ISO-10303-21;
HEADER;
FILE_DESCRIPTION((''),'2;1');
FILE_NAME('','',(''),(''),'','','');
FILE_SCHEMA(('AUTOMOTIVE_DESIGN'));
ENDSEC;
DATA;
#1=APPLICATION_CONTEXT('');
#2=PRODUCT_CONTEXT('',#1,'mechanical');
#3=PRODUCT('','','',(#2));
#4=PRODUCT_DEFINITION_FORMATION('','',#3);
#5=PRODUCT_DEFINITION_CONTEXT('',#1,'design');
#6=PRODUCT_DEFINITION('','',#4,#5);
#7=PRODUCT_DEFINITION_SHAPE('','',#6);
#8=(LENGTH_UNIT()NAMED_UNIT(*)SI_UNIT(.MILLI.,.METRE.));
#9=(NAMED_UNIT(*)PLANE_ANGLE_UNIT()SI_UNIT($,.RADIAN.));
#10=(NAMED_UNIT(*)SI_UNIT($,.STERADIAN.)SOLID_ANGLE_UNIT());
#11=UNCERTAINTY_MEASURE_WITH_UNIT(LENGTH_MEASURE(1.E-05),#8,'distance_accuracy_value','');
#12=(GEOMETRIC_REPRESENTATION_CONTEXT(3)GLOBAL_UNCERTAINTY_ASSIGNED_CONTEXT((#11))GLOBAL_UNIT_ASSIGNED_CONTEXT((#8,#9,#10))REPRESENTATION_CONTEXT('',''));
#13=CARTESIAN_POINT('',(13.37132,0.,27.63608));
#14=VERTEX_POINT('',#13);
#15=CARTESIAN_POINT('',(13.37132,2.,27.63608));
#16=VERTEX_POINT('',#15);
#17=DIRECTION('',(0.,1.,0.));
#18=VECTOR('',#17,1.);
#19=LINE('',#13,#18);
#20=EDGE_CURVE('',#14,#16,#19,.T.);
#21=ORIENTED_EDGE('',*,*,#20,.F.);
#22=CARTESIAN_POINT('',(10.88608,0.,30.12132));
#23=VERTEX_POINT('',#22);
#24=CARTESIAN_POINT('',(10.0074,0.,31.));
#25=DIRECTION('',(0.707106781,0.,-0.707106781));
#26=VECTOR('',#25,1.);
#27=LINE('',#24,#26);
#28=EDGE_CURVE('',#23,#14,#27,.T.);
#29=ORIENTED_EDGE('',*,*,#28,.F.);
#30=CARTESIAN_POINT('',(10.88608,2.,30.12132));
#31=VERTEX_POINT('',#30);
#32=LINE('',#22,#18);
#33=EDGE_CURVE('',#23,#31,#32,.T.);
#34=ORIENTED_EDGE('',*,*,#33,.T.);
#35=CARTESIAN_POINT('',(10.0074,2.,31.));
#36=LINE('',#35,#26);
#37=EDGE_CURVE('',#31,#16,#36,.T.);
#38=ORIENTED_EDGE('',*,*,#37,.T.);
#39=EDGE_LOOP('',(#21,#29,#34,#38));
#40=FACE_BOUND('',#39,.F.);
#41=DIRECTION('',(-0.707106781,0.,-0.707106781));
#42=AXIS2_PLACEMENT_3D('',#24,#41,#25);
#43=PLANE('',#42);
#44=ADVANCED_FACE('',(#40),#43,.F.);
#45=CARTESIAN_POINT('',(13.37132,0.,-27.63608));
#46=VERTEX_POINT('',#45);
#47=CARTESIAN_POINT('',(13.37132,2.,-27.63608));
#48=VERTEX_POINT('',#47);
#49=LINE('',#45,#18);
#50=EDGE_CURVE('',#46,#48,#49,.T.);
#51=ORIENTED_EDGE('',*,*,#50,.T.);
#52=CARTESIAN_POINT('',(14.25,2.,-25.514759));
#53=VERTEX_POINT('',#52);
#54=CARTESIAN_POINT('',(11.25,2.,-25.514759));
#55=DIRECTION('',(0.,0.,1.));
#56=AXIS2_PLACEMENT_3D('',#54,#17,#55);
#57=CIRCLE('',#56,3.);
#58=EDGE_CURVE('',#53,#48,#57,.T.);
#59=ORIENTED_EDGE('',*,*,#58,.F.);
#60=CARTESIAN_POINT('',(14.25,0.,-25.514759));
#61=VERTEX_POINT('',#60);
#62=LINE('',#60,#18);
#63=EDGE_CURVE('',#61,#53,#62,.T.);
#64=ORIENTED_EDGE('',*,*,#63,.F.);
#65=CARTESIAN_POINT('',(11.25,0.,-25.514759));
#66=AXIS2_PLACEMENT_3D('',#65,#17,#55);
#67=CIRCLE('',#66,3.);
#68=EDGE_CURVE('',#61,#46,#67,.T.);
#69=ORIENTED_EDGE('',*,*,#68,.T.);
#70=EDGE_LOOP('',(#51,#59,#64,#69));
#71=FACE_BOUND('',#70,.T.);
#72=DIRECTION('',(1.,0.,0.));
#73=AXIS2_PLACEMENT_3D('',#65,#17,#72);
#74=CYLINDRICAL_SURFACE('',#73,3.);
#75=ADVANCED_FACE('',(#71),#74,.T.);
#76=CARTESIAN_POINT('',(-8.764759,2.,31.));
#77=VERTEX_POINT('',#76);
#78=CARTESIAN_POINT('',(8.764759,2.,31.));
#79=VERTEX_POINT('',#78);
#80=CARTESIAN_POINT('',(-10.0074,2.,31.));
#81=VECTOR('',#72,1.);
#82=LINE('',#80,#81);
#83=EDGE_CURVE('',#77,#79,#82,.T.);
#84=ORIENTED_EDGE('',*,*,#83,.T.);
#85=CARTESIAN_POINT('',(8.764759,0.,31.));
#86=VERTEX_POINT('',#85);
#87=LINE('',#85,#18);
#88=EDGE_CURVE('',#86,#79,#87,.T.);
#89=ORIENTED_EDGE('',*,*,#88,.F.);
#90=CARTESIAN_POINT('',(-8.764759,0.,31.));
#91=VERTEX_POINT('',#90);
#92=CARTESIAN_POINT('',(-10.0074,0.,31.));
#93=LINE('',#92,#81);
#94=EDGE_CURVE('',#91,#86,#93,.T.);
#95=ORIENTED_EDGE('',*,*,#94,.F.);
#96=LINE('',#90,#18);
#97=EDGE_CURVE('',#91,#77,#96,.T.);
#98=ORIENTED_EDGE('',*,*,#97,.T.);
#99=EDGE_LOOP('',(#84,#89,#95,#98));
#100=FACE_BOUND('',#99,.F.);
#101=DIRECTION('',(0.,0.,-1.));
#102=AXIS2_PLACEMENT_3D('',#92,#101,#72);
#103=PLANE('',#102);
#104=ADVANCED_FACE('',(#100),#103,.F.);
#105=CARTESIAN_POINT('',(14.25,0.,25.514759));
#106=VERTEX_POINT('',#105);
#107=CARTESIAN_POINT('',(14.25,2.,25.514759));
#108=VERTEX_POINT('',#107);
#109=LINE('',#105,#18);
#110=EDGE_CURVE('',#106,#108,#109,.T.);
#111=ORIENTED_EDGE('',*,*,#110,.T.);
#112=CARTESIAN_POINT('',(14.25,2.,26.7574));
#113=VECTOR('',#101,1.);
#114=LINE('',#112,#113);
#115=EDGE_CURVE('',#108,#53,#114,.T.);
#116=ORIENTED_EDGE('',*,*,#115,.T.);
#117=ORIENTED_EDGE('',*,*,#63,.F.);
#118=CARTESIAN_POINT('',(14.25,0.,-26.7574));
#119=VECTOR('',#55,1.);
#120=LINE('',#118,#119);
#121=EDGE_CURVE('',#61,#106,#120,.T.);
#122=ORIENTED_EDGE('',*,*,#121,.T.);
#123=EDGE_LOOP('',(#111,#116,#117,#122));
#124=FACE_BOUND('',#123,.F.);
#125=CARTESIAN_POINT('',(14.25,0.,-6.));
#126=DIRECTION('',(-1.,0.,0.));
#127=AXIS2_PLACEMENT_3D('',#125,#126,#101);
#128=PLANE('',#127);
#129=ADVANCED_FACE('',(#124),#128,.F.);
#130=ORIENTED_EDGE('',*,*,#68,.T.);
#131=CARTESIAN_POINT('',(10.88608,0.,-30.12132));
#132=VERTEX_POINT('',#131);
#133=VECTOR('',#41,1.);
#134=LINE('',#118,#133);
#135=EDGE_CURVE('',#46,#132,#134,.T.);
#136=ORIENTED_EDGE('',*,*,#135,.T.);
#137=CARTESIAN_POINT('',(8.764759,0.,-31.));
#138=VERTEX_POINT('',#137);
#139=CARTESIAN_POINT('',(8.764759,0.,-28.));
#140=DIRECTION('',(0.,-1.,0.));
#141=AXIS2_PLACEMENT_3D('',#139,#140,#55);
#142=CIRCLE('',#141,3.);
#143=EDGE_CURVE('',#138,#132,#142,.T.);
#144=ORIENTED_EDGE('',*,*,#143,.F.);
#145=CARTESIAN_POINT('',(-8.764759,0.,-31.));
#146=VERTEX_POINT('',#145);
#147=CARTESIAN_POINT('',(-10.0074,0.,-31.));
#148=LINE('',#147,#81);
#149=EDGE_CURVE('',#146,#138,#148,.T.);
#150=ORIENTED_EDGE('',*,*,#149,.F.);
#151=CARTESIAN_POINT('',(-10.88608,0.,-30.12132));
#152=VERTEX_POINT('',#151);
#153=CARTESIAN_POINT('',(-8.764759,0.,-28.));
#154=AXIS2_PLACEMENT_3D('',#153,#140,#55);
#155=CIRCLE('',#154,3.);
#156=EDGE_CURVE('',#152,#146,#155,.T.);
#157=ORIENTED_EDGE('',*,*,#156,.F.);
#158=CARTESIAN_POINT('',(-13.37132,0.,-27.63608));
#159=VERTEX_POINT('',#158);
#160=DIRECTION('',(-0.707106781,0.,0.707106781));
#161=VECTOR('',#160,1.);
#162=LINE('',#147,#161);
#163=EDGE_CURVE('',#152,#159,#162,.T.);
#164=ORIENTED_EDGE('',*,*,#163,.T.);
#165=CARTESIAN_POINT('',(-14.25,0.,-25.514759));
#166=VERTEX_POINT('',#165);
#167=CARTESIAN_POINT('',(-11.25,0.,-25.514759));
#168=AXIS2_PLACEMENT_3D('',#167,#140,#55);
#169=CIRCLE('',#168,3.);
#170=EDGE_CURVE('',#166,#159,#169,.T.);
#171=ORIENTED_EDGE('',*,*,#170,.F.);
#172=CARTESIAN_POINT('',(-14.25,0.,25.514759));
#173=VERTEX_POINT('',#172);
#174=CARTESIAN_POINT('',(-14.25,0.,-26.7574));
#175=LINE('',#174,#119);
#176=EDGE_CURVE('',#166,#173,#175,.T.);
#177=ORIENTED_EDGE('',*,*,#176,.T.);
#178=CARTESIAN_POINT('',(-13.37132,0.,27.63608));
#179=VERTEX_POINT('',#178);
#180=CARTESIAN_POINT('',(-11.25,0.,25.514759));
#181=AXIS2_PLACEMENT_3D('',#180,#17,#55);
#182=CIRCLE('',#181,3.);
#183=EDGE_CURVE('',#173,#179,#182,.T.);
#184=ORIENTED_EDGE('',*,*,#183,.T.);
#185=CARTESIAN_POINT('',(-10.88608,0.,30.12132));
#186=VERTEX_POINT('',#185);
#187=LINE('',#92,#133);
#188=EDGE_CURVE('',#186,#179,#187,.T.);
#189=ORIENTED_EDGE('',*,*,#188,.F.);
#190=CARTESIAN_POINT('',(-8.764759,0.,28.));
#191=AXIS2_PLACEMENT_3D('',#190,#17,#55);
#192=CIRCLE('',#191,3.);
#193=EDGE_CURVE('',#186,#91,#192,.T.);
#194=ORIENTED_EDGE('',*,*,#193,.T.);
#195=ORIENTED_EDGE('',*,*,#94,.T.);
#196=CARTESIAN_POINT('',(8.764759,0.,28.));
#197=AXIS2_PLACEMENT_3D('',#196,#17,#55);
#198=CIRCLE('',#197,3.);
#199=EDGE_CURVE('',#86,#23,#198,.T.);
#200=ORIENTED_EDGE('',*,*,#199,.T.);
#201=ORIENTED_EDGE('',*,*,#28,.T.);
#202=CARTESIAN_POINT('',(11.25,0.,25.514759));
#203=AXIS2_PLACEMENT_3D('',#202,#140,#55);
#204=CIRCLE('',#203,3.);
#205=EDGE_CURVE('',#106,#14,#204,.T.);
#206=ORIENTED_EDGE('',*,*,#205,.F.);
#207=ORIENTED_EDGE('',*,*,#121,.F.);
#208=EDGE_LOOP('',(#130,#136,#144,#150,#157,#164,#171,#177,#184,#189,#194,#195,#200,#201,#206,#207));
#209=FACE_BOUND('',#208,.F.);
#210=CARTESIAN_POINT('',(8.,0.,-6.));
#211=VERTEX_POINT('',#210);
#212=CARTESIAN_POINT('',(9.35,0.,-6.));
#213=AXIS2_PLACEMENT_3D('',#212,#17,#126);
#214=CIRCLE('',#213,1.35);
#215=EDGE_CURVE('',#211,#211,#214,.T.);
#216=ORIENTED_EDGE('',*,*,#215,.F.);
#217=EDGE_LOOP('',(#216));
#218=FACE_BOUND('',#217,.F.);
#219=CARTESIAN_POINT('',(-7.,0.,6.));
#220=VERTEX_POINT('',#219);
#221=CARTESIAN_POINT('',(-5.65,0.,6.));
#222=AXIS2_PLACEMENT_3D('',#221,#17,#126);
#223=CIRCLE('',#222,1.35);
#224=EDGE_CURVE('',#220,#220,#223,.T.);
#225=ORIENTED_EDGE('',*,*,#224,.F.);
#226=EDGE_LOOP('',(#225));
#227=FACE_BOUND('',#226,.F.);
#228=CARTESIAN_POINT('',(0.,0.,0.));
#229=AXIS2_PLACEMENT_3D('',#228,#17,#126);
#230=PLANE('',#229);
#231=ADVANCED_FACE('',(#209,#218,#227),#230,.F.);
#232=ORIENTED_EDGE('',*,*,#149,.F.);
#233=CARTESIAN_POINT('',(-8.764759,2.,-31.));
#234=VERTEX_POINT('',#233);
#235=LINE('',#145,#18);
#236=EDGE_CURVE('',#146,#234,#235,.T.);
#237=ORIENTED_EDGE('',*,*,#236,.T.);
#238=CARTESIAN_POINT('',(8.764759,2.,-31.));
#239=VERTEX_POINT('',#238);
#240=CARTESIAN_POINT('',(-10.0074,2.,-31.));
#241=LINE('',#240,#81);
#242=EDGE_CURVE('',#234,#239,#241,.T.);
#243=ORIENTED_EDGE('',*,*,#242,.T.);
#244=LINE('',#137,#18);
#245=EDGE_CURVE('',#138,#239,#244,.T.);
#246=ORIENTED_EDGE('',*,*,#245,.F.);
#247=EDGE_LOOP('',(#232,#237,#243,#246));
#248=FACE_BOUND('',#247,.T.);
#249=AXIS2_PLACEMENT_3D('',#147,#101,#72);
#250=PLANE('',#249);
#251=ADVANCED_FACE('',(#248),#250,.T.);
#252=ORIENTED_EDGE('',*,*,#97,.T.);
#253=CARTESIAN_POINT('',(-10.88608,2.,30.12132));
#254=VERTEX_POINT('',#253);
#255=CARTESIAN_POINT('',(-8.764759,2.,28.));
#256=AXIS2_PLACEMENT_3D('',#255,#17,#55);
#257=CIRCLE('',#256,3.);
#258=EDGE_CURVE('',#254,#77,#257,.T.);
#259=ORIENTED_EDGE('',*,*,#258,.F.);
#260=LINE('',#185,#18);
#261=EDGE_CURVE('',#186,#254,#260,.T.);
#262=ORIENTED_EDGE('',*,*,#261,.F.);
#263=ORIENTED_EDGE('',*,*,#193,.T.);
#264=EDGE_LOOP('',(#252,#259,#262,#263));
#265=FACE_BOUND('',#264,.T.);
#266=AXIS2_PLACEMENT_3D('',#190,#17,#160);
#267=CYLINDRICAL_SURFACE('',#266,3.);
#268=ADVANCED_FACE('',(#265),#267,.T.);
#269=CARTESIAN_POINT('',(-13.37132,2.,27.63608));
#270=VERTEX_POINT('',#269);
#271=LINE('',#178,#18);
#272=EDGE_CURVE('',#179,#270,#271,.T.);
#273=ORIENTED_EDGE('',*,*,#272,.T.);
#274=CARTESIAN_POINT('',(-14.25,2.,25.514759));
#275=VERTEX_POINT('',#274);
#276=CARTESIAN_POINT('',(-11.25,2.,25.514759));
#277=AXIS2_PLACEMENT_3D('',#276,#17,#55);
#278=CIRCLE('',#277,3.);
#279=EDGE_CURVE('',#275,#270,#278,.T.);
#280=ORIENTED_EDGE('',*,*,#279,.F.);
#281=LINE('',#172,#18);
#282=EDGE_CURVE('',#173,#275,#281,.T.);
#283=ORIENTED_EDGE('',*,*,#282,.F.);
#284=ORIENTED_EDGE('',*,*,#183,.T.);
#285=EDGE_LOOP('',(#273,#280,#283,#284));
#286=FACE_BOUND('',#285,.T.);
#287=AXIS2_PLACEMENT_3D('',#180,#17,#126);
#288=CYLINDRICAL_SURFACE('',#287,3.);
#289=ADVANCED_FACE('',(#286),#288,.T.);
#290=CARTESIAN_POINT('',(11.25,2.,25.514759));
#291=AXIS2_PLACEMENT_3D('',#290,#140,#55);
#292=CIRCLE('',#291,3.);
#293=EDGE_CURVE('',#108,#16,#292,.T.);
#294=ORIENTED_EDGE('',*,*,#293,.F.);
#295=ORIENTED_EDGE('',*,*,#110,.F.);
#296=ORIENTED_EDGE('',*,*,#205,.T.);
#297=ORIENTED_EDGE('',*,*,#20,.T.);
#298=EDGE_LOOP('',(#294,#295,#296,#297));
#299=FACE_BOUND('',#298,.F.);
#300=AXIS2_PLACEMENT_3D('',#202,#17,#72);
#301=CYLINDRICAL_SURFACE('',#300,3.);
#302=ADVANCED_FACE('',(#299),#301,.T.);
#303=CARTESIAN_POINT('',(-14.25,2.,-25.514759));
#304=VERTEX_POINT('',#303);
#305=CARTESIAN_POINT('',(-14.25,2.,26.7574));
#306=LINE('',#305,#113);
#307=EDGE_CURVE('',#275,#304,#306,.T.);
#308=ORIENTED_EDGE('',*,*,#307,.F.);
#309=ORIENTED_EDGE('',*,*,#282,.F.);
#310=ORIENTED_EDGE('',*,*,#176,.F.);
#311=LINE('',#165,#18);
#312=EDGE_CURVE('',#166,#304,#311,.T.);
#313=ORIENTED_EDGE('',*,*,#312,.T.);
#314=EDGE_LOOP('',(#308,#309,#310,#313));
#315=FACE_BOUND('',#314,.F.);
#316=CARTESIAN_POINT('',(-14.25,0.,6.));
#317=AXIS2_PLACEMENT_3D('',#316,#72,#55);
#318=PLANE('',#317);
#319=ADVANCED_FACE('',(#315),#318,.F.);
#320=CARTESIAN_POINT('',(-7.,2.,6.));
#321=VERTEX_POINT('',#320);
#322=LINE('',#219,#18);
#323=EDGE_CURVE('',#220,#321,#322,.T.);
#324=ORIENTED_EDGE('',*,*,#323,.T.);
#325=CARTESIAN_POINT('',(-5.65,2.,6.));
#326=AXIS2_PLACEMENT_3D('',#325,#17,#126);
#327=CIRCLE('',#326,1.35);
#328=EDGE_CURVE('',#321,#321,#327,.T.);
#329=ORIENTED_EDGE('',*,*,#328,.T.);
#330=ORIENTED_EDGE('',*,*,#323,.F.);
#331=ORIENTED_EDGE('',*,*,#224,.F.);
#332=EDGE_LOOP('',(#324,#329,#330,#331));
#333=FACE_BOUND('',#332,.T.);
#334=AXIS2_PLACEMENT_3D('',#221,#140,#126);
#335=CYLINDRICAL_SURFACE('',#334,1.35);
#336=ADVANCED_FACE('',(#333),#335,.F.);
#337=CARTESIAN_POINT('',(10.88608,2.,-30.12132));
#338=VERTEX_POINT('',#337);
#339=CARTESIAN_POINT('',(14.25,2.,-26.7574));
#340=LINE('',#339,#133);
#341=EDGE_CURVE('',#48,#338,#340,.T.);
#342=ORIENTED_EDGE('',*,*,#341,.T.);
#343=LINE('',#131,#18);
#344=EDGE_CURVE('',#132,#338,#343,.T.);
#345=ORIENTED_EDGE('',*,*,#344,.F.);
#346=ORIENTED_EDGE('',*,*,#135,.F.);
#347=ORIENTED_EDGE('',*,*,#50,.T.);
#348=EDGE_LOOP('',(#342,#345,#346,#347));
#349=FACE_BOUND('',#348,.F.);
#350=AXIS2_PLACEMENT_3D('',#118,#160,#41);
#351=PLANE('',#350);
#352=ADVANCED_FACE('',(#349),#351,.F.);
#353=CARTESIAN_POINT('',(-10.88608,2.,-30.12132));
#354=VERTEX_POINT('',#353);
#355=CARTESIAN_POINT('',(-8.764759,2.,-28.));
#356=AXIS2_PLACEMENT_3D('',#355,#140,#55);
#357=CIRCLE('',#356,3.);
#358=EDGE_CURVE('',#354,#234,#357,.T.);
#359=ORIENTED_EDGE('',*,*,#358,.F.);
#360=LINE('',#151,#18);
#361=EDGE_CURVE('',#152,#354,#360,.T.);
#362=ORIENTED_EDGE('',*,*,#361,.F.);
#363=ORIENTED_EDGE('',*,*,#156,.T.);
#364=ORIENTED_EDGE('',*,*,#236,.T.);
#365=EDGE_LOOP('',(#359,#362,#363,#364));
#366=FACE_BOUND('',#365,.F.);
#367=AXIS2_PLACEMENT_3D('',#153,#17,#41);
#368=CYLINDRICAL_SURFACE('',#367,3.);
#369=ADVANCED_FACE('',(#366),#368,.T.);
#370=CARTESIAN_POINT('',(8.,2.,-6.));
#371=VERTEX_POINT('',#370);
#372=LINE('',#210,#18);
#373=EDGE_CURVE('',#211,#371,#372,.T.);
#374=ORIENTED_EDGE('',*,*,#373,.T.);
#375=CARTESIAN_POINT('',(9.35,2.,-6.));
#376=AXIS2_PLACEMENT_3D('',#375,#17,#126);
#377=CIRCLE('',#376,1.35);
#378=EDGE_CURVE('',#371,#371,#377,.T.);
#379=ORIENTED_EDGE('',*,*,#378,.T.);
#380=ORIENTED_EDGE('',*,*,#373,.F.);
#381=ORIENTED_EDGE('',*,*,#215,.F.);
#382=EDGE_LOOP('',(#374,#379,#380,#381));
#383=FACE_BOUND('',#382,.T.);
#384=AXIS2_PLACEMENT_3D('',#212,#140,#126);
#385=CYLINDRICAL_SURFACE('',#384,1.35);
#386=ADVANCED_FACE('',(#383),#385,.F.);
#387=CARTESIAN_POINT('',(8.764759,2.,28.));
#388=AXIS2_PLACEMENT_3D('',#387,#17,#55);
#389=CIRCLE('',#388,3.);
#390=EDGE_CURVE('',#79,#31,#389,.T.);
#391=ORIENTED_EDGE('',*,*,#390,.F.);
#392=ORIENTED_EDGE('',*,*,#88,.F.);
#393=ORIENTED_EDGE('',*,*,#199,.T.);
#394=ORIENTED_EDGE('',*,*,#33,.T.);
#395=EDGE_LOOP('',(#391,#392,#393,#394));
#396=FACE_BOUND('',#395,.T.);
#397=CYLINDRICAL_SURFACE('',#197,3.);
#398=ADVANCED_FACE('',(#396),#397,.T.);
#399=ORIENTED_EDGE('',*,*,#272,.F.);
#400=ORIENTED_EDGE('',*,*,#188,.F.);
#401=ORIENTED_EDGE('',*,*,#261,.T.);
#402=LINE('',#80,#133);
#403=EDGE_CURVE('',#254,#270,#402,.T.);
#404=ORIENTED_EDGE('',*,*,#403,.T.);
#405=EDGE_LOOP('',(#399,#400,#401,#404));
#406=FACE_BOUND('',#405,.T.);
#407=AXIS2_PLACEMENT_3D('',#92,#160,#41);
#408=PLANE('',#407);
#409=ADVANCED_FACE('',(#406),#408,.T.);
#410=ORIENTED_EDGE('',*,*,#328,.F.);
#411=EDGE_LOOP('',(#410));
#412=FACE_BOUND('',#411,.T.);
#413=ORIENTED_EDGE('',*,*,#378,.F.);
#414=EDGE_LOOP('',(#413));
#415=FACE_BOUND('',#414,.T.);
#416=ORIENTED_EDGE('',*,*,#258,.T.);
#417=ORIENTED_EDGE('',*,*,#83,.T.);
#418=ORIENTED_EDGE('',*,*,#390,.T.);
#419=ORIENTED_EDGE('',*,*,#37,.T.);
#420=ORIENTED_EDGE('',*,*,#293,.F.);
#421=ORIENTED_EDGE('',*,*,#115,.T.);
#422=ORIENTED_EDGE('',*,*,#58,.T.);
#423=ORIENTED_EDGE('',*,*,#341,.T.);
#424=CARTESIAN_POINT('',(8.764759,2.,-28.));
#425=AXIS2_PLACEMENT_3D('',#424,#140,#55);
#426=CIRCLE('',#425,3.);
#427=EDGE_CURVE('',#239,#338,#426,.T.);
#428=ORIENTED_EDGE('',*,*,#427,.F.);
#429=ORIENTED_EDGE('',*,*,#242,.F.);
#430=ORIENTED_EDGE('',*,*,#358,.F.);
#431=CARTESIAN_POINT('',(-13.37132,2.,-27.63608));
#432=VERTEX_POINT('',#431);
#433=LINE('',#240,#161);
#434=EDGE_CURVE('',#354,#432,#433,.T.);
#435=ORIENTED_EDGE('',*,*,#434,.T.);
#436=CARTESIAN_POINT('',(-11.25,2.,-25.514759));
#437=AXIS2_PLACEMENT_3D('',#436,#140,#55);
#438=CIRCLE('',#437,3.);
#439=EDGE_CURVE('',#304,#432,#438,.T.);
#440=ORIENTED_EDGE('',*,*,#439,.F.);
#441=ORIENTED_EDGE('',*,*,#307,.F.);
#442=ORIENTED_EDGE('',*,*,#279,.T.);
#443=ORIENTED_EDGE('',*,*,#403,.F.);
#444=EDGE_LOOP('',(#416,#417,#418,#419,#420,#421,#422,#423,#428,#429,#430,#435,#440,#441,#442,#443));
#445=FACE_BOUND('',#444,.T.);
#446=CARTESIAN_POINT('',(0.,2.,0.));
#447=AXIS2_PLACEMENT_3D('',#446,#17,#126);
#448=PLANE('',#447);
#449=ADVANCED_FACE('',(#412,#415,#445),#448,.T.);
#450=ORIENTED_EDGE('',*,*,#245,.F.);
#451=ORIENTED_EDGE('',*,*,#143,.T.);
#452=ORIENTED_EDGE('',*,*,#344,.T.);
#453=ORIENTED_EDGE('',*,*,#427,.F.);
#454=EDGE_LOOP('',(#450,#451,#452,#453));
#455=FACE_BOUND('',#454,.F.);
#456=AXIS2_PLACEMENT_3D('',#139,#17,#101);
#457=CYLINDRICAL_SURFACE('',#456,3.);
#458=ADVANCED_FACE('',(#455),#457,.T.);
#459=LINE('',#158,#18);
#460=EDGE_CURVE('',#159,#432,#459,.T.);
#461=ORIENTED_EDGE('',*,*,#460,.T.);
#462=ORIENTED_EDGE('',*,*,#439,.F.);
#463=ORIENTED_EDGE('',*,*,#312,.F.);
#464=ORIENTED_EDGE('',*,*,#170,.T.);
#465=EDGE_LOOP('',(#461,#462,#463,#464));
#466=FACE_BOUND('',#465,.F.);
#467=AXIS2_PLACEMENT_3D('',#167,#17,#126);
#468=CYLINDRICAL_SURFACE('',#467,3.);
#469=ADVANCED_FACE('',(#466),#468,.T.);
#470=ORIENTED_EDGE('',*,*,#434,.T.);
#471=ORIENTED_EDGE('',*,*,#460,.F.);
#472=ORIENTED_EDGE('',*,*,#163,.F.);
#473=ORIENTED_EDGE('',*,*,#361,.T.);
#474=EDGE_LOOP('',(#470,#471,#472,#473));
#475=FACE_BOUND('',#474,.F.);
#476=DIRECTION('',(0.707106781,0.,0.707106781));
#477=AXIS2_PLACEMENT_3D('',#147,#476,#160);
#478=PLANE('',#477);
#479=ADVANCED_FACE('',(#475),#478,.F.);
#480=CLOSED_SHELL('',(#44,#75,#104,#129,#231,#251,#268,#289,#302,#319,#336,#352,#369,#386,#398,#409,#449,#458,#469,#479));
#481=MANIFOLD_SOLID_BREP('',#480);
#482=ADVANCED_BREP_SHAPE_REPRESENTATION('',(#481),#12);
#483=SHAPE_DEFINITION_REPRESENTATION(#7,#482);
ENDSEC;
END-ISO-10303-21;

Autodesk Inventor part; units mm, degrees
ref_plane "YZ Plane" through (0, 0, 0) normal (1, 0, 0) x (0, 1, 0)
ref_plane "XZ Plane" through (0, 0, 0) normal (0, 1, 0) x (-1, 0, 0)
ref_plane "XY Plane" through (0, 0, 0) normal (0, 0, 1) x (1, 0, 0)
sketch "Sketch1" plane through (0, 0, 0) normal (0, 1, 0) x (-1, 0, 0)
  line L0 (14.25, 11) -> (-14.25, 11)
  line L1 (-14.25, 11) -> (-14.25, -11)
  line L2 (-14.25, -11) -> (14.25, -11)
  line L3 (14.25, -11) -> (14.25, 11)
  line L4 (14.25, 11) -> (-14.25, -11) construction
  line L5 (-14.25, 11) -> (14.25, -11) construction
  line L6 (14.25, 11) -> (5.65, 11)
  line L7 (5.65, 11) -> (5.65, 6) construction
  line L8 (5.65, 6) -> (14.25, 6) construction
  line L9 (14.25, 6) -> (14.25, 11)
  line L10 (-14.25, -11) -> (-9.35, -11)
  line L11 (-9.35, -11) -> (-9.35, -6) construction
  line L12 (-14.25, -6) -> (-14.25, -11)
  circle A0 centre (5.65, 6) radius 1.35
  circle A1 centre (-9.35, -6) radius 1.35
  line L13 (10.0074, 31) -> (14.25, 26.7574)
  line L14 (10.0074, 31) -> (-10.0074, 31)
  line L15 (-14.25, 26.7574) -> (-14.25, 11)
  line L16 (14.25, 0) -> (-14.25, 0) construction
  line L17 (14.25, -26.7574) -> (14.25, 4.1382)
  line L18 (10.0074, -31) -> (14.25, -26.7574)
  line L19 (10.0074, -31) -> (-10.0074, -31)
  line L20 (-14.25, -26.7574) -> (-14.25, -11)
  line L21 (14.25, 11) -> (14.25, 26.7574)
  line L22 (-10.0074, 31) -> (-14.25, 26.7574)
  line L23 (-14.25, -26.7574) -> (-10.0074, -31)
  point P0 (0, 0)
  point P1 (-14.25, 31)
  point P2 (-14.25, -31)
  point P3 (14.25, -11)
  point P4 (0, 0)
  dimension "d0" = 28.5
  dimension "d1" = 22
  dimension "d2" = 8.6
  dimension "d3" = 5
  dimension "d5" = 5
  dimension "d6" = 2.7
  dimension "d7" = 2.7
  dimension "d22" = 23.6
  dimension "d23" = 135
  dimension "d25" = 6
  dimension "d27" = 135
  dimension "d39" = 20
  dimension "d44" = 6
  dimension "d45" = 135
  dimension "d48" = 135
  dimension "d49" = 6
extrude "Extrusion1" add sketch "Sketch1" along normal blind 2
fillet "Fillet1" radius 3 8 edges at (-10.0074, 1, 31) (-14.25, 1, 26.7574) (-14.25, 1, -26.7574) (-10.0074, 1, -31) (10.0074, 1, 31) (14.25, 1, 26.7574) (10.0074, 1, -31) (14.25, 1, -26.7574)
fillet "Fillet2" [suppressed]
extrude "Extrusion2" [suppressed]
fillet "Fillet3" [suppressed]
sketch "Sketch2" plane through (0, 0, 0) normal (0, -1, 0) x (1, 0, 0)
  line L0 (14.25, -11) -> (-14.25, -11) projected
  line L1 (-14.25, 11) -> (14.25, 11) projected
  arc A0 (13.3713, -27.636) -> (14.25, -25.5147) centre (11.25, -25.5147) ccw projected
  line L2 (14.25, 25.5147) -> (14.25, -25.5147) projected
  arc A1 (14.25, 25.5147) -> (13.3713, 27.636) centre (11.25, 25.5147) ccw projected
  line L3 (10.886, 30.1213) -> (13.3713, 27.636) projected
  arc A2 (10.886, 30.1213) -> (8.7647, 31) centre (8.7647, 28) ccw projected
  line L4 (-8.7647, 31) -> (8.7647, 31) projected
  arc A3 (-8.7647, 31) -> (-10.886, 30.1213) centre (-8.7647, 28) ccw projected
  line L5 (-13.3713, 27.636) -> (-10.886, 30.1213) projected
  arc A4 (-13.3713, 27.636) -> (-14.25, 25.5147) centre (-11.25, 25.5147) ccw projected
  line L6 (-14.25, -25.5147) -> (-14.25, 25.5147) projected
  arc A5 (-14.25, -25.5147) -> (-13.3713, -27.636) centre (-11.25, -25.5147) ccw projected
  line L7 (-10.886, -30.1213) -> (-13.3713, -27.636) projected
  arc A6 (-10.886, -30.1213) -> (-8.7647, -31) centre (-8.7647, -28) ccw projected
  line L8 (8.7647, -31) -> (-8.7647, -31) projected
  arc A7 (8.7647, -31) -> (10.886, -30.1213) centre (8.7647, -28) ccw projected
  line L9 (13.3713, -27.636) -> (10.886, -30.1213) projected
  circle A8 centre (-5.65, 6) radius 1.35 projected
  circle A9 centre (9.35, -6) radius 1.35 projected
  point P0 (0, 0)
equation "\"d27\" = d23"
properties part number "Solenoid Board"
